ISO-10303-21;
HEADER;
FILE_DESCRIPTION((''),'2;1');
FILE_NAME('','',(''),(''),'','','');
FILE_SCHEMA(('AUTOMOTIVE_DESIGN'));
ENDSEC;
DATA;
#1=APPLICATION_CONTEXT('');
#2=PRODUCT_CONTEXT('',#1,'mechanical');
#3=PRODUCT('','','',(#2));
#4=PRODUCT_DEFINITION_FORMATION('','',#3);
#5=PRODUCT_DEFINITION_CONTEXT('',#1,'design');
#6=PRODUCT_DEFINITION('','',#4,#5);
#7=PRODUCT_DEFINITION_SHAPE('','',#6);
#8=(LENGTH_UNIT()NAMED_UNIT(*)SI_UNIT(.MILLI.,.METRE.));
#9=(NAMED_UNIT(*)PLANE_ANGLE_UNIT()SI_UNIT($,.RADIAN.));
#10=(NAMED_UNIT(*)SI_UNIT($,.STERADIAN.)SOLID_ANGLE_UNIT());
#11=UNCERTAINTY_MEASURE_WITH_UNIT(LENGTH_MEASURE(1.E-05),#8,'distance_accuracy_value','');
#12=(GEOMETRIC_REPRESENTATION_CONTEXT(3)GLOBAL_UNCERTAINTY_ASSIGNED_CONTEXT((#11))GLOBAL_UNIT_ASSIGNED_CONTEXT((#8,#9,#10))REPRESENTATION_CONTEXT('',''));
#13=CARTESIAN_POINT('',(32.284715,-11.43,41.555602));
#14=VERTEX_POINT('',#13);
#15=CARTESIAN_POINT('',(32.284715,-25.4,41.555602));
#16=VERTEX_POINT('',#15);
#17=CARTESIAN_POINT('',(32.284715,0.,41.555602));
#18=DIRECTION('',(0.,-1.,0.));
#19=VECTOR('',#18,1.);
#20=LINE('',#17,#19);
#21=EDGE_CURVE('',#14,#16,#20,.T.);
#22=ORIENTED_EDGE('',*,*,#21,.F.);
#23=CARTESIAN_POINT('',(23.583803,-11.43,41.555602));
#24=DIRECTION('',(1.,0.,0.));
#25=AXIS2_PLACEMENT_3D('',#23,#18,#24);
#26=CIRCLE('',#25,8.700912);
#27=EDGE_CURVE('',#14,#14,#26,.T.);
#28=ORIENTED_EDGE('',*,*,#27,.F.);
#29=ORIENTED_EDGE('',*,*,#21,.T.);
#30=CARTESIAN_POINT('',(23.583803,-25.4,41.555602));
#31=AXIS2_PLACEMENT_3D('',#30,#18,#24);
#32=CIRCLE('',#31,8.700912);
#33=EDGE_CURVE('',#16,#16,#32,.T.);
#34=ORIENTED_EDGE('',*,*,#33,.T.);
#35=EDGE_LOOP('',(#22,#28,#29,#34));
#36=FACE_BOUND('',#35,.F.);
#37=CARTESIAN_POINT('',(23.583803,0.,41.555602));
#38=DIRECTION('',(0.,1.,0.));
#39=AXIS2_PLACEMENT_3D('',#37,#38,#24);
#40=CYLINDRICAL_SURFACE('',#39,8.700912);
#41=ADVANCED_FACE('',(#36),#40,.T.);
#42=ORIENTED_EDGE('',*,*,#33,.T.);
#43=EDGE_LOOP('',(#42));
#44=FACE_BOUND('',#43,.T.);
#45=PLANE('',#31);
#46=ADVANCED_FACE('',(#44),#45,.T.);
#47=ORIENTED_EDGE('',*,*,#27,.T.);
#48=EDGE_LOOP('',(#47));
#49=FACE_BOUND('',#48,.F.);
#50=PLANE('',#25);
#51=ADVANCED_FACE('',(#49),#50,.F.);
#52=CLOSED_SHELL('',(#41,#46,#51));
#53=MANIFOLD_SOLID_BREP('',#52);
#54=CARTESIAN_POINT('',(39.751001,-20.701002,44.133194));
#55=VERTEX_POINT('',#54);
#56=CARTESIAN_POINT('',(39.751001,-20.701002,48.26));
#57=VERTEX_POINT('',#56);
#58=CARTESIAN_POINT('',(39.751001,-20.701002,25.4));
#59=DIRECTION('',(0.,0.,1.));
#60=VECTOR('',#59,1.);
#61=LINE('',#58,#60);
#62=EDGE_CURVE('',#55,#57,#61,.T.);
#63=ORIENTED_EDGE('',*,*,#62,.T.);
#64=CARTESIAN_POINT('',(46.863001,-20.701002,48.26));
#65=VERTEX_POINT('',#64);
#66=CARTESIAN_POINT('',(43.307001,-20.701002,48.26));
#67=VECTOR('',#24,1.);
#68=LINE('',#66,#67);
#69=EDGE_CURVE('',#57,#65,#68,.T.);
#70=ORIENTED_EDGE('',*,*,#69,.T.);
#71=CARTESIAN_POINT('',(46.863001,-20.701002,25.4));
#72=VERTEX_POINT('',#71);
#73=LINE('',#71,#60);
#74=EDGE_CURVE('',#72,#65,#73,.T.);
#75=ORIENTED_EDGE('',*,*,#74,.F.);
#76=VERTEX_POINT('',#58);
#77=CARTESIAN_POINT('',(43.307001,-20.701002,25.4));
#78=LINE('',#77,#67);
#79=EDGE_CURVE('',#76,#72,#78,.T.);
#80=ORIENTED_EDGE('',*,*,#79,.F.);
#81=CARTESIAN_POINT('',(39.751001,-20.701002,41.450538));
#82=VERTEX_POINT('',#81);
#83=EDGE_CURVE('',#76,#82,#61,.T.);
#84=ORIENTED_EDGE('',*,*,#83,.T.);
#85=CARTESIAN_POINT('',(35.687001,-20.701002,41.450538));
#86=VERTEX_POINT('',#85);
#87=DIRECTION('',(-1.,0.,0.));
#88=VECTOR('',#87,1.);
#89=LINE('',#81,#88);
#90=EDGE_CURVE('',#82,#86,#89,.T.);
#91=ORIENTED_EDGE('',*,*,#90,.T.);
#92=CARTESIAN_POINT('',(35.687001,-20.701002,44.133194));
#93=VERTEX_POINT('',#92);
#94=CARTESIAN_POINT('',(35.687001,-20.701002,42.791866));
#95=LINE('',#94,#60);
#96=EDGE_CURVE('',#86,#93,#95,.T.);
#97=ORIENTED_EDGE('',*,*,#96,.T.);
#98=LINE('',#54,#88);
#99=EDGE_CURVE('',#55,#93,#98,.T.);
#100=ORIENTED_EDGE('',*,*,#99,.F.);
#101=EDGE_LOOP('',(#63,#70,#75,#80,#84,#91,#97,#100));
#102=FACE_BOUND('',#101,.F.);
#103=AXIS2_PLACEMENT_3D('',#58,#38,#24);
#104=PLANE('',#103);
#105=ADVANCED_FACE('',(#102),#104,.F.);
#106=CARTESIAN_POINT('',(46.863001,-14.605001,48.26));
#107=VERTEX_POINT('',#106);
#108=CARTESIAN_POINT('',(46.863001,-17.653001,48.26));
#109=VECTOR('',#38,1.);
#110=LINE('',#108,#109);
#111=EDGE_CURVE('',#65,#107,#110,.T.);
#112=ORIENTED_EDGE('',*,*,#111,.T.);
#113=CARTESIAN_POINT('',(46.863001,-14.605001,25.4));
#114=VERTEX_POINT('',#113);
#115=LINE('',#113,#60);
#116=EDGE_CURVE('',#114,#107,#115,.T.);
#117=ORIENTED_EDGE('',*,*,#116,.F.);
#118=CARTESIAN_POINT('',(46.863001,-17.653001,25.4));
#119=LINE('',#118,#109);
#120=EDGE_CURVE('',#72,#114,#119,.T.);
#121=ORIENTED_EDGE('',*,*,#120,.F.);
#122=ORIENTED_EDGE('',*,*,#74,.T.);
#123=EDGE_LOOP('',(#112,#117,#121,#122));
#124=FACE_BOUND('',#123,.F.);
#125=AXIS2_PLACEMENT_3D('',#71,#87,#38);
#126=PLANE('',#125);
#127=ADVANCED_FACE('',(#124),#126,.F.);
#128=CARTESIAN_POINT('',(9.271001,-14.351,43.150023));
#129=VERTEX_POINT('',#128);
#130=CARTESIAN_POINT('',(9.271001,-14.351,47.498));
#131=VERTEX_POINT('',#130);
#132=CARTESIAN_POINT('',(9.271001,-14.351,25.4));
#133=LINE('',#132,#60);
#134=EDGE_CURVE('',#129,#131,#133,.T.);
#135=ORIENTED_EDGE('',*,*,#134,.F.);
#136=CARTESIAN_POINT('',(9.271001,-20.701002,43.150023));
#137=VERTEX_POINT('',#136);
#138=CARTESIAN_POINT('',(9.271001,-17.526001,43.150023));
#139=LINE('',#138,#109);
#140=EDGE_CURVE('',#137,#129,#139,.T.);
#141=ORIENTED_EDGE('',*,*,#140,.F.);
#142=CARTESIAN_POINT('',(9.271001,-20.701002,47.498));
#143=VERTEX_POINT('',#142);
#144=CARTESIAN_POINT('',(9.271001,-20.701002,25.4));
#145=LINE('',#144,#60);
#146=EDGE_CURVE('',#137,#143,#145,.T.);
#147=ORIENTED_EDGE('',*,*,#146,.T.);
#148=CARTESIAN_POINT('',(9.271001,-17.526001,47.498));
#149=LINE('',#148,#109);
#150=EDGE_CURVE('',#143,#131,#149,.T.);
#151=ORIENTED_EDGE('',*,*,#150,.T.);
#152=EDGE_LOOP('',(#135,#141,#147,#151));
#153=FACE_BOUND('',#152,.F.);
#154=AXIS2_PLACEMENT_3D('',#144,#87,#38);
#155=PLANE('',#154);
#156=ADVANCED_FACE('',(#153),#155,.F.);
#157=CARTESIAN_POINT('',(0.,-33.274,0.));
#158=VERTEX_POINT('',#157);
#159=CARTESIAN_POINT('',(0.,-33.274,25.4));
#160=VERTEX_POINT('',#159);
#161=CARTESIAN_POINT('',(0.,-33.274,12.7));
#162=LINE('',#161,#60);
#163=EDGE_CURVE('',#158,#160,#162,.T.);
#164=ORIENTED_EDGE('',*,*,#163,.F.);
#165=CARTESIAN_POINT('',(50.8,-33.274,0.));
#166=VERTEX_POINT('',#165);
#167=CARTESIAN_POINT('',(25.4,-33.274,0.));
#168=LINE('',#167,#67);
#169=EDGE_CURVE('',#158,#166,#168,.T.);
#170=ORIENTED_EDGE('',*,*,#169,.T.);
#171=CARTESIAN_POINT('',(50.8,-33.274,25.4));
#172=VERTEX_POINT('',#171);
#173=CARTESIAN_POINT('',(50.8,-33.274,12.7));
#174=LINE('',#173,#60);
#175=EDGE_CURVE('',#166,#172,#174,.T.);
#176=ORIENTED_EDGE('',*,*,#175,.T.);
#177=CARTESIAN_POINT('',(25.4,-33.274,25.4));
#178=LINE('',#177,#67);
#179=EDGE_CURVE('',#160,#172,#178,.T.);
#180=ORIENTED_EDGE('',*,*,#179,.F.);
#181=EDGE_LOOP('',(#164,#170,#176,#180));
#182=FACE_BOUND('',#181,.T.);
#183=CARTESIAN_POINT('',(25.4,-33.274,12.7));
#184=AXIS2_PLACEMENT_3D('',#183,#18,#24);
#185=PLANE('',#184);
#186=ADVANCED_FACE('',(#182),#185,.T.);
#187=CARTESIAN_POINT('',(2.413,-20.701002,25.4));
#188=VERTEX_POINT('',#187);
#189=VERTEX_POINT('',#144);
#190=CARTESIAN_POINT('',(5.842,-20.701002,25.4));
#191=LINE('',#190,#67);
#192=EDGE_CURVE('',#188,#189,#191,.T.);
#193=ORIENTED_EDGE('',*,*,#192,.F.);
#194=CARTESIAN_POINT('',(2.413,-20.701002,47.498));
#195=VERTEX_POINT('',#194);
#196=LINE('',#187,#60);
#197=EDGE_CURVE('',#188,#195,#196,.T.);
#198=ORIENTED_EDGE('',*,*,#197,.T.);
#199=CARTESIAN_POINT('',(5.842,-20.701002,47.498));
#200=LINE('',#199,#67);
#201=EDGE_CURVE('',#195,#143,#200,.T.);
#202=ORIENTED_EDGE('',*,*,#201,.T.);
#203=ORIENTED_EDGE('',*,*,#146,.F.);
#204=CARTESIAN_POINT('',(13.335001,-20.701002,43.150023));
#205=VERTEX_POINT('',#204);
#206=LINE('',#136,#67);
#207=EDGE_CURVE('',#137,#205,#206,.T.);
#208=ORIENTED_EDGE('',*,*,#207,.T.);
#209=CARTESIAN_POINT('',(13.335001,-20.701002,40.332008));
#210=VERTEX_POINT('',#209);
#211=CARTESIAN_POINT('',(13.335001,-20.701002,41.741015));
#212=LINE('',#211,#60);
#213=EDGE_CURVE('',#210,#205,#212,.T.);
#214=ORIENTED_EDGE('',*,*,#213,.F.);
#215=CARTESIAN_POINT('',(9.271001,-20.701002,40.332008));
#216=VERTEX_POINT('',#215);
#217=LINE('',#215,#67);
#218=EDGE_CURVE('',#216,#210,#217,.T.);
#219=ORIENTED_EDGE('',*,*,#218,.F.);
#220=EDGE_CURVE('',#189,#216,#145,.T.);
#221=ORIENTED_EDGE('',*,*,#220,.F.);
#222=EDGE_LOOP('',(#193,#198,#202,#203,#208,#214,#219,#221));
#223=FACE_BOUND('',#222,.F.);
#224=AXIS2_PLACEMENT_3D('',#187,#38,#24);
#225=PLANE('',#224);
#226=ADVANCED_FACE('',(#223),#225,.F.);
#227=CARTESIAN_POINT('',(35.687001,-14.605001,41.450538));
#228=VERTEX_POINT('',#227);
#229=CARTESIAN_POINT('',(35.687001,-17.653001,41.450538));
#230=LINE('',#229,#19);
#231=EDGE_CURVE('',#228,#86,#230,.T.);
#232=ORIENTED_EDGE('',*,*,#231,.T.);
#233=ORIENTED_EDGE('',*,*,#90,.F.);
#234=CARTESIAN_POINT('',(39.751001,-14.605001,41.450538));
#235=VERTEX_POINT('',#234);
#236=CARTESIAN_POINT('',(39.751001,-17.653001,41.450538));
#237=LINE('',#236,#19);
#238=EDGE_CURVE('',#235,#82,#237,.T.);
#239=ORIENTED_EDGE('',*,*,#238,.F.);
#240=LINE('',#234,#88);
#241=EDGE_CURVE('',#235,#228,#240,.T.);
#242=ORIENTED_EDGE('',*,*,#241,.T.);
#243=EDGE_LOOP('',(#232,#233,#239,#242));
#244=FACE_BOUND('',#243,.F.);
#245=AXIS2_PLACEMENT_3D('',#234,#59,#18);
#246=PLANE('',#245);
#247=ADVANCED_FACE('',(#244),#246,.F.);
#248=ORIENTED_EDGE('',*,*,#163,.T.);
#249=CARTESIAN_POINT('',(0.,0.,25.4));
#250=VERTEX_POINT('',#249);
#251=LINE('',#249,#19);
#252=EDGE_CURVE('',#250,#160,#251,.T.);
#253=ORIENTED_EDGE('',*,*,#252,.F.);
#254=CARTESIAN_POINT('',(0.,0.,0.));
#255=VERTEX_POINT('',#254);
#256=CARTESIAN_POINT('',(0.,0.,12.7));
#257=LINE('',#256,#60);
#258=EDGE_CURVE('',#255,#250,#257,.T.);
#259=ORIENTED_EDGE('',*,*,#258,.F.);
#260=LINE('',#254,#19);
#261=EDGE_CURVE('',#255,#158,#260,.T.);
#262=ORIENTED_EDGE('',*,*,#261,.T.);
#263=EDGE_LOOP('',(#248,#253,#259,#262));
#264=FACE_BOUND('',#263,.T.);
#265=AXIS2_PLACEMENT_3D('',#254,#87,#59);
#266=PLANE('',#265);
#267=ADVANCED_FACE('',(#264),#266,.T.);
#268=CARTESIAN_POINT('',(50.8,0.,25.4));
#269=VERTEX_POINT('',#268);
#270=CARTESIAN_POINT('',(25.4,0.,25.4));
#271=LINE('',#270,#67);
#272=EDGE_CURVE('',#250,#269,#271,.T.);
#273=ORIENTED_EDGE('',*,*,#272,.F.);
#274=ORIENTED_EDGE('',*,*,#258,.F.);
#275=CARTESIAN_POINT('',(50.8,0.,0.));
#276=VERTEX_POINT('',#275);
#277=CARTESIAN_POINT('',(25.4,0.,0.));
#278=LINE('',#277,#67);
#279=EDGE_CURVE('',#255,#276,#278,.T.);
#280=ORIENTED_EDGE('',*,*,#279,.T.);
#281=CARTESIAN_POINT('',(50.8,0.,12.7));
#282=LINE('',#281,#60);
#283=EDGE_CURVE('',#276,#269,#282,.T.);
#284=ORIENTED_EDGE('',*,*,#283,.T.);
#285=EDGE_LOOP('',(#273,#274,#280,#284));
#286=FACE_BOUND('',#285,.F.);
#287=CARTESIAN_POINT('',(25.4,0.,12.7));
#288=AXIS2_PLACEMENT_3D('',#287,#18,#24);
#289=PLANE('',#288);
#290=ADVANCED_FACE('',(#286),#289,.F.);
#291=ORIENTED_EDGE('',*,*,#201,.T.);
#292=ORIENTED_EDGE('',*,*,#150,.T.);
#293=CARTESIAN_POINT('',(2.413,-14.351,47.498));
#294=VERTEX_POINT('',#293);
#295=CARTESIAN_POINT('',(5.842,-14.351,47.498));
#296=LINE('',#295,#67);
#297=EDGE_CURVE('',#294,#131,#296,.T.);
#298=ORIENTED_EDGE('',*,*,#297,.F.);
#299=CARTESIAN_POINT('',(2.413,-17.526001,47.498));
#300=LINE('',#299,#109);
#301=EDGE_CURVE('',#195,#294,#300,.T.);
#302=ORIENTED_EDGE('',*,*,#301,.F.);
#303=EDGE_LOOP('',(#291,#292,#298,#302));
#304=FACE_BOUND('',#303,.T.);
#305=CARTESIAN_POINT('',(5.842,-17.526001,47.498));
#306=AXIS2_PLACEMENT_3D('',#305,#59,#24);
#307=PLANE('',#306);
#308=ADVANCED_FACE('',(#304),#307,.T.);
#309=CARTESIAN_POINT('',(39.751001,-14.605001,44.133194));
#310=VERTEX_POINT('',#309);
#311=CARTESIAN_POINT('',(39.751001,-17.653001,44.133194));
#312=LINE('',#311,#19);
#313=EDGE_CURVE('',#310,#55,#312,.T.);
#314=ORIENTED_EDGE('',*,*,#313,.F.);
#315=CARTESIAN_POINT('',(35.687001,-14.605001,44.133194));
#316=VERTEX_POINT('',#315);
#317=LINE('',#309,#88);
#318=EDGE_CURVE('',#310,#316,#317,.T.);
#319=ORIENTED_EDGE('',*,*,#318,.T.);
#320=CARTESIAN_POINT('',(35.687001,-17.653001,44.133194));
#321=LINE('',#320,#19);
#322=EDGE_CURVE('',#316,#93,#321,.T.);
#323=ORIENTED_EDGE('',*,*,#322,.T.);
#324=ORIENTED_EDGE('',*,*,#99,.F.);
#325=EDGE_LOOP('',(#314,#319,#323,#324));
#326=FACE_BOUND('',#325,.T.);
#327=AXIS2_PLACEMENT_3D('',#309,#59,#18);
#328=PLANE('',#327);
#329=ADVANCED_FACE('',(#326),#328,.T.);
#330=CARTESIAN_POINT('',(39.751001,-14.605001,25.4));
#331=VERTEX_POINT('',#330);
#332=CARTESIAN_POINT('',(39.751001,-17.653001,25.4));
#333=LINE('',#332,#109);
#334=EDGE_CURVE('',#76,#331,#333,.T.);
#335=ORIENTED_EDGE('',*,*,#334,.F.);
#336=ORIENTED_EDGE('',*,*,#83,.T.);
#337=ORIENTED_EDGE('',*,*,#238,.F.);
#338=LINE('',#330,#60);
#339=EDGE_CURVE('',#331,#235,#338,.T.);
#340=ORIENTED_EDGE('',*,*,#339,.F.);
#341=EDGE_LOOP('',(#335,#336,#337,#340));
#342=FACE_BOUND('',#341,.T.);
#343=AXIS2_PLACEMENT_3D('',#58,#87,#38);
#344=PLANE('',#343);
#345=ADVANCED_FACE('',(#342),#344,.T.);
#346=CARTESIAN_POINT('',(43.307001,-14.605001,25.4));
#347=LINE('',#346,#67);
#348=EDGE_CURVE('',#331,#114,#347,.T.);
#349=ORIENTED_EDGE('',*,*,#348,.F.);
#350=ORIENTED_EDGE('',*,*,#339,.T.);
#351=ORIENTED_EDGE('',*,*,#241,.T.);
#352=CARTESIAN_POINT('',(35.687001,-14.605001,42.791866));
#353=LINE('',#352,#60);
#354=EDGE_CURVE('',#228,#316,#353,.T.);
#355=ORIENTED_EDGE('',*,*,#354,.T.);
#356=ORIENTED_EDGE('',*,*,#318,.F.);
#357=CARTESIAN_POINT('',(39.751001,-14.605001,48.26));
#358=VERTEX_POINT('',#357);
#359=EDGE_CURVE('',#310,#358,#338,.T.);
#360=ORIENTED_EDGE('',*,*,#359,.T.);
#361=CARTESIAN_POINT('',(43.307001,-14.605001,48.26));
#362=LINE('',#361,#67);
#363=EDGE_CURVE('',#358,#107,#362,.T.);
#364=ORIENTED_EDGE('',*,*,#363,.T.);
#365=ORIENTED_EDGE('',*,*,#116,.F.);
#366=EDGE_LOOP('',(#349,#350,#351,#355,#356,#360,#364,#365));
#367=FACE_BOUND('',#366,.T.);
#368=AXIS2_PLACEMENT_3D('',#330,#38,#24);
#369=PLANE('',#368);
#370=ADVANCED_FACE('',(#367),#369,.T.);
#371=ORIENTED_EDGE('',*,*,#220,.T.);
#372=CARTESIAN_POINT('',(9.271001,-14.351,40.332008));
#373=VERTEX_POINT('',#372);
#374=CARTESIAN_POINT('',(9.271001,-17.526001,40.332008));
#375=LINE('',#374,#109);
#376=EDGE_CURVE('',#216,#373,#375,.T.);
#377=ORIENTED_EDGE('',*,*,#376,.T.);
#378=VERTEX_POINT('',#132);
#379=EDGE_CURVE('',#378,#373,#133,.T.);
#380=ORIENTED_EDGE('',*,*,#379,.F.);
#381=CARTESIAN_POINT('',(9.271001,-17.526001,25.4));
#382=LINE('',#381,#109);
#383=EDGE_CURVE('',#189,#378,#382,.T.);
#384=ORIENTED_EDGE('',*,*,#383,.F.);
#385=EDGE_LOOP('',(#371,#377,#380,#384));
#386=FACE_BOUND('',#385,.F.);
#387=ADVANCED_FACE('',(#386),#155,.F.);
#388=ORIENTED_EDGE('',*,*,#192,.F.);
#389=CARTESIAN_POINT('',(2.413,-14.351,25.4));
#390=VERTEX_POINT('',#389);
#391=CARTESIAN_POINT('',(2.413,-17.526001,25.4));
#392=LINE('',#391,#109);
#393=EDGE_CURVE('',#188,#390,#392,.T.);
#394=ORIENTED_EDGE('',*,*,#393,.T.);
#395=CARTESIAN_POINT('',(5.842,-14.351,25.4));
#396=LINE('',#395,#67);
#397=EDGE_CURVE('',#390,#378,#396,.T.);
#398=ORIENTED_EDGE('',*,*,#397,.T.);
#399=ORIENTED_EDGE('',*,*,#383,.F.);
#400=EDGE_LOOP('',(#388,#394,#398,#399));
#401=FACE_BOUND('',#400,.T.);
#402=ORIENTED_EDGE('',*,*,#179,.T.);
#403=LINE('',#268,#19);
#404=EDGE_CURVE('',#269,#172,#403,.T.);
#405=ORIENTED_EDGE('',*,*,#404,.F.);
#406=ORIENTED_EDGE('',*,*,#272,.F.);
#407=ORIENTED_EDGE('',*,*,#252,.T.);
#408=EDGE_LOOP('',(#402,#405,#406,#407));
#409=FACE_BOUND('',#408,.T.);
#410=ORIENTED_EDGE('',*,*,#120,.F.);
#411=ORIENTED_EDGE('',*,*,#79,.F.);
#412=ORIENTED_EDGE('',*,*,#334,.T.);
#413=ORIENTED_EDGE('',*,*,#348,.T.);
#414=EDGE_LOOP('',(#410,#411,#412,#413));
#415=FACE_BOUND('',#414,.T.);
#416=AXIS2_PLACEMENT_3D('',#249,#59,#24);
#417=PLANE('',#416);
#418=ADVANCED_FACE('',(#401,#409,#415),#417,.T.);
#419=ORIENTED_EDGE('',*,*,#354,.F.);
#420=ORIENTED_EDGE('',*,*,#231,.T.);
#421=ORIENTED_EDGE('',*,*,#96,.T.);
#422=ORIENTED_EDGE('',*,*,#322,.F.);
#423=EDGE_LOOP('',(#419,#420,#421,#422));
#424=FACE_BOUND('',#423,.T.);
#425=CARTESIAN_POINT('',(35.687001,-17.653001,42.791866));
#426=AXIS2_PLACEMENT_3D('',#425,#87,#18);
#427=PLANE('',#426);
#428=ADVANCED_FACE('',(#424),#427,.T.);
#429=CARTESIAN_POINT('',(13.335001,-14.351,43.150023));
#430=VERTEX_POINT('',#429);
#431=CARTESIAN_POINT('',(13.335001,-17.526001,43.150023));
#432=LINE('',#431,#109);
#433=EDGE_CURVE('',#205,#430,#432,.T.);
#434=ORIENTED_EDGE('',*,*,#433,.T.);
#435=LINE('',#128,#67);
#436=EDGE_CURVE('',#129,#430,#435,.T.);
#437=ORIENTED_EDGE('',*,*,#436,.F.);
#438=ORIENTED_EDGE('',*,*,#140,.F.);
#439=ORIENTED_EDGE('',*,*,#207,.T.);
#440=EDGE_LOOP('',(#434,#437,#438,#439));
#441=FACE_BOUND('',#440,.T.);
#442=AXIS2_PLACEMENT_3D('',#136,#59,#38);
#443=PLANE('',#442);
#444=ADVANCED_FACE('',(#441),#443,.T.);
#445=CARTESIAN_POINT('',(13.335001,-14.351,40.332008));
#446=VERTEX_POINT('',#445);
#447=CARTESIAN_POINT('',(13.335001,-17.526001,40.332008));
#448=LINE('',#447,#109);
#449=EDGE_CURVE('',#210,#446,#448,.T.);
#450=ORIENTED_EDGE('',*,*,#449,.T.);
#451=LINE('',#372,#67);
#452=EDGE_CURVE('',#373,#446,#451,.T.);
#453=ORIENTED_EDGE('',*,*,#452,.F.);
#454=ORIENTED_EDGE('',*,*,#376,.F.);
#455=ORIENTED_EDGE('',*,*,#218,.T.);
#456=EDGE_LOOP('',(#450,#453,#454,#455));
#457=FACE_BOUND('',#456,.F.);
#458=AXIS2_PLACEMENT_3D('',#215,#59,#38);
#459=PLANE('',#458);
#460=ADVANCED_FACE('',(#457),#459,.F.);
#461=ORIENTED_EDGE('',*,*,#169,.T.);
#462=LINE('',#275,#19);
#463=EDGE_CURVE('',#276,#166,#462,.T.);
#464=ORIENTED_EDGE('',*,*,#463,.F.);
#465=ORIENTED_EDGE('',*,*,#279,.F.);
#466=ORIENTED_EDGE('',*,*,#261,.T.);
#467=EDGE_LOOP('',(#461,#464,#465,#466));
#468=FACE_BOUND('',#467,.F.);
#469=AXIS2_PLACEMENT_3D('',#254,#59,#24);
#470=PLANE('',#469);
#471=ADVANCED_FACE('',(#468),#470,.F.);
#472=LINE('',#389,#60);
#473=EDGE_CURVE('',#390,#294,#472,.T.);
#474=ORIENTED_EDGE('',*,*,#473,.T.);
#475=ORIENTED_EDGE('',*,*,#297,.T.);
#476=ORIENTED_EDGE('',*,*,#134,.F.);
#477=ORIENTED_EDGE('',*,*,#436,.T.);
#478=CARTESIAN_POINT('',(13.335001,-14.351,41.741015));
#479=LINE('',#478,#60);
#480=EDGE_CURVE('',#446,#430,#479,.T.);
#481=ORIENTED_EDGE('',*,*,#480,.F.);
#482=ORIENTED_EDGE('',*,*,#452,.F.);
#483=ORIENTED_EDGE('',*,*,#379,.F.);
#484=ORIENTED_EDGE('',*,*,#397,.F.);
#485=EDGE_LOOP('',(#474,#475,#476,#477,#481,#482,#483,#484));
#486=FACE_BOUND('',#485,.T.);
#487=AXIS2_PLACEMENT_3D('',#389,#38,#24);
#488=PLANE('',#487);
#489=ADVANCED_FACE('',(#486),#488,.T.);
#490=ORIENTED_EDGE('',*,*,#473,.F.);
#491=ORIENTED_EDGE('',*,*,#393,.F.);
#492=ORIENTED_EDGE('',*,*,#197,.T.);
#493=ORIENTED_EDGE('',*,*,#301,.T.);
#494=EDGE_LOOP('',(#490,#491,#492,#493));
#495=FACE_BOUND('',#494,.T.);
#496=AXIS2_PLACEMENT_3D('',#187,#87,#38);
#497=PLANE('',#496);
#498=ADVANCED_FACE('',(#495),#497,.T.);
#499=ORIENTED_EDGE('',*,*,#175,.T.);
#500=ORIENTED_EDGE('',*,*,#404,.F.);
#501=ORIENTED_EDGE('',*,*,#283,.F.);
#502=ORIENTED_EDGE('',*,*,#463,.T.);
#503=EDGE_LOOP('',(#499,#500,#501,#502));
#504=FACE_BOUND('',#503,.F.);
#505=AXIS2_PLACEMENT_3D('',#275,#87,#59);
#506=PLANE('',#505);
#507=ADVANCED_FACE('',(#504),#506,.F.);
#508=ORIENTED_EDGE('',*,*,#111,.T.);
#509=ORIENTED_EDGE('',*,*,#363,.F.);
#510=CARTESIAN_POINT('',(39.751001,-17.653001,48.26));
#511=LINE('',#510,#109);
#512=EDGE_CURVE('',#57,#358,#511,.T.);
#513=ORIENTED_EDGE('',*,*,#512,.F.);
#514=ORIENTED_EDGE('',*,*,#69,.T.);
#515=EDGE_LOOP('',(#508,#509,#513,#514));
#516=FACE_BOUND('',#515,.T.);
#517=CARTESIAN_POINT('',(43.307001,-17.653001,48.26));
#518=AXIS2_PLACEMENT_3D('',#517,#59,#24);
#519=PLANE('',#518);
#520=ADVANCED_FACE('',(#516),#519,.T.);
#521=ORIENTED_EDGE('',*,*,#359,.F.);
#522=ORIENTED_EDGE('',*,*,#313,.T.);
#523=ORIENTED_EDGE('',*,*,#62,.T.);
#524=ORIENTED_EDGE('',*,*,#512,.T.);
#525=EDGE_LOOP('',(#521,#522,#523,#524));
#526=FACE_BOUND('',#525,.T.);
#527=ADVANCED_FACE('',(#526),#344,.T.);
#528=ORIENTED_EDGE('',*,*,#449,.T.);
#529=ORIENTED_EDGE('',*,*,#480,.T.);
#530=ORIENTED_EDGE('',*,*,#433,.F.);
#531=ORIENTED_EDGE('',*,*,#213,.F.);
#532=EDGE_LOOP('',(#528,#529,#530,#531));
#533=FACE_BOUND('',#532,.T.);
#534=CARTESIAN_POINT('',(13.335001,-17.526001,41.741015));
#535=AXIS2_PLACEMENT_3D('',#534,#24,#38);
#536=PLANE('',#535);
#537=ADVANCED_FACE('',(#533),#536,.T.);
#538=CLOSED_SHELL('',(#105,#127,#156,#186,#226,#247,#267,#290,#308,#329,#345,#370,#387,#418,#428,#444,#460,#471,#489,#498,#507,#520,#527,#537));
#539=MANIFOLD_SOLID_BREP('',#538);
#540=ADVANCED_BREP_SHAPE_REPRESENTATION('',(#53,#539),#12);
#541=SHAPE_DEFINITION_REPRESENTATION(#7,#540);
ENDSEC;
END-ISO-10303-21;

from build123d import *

# Parameters (mm, degrees)
F0_W      = 50.8
F0_H      = 25.4
F1_DEPTH  = 45.72
F2_W      = 6.8580005318
F2_H      = 6.3500022516
F3_DEPTH  = 22.098
F4_W      = 7.1120001376
F4_H      = 6.0960017145
F5_DEPTH  = 22.86
F6_W      = 6.0960017145
F6_H      = 2.6826560497
F7_DEPTH  = 4.064
F8_W      = 6.3500022516
F8_H      = 2.8180144727
F9_DEPTH  = 4.064
F10_R     = 8.7009115444
F11_DEPTH = 25.4
F12_DEPTH = 11.43
F13_DEPTH = 12.446


with BuildPart() as f1:
    # F0 (on Front) → F1 (new body)
    with BuildSketch(Plane.XZ):
        with Locations((25.4, 12.7)):
            Rectangle(F0_W, F0_H)
    extrude(amount=F1_DEPTH)

    # F2 (on face) → F3 (join)
    with BuildSketch(Plane.XY.offset(25.4)):
        with Locations((5.842000246, -17.5260012038)):
            Rectangle(F2_W, F2_H)
    extrude(amount=F3_DEPTH)

    # F4 (on face) → F5 (join)
    with BuildSketch(Plane.XY.offset(25.4)):
        with Locations((43.3070007712, -17.6530014724)):
            Rectangle(F4_W, F4_H)
    extrude(amount=F5_DEPTH)

    # F6 (on face) → F7 (join)
    with BuildSketch(Plane(origin=(39.7510007024, 0, 0), x_dir=(0, -1, 0), z_dir=(-1, 0, 0))):
        with Locations((17.6530014724, 42.791865766)):
            Rectangle(F6_W, F6_H)
    extrude(amount=F7_DEPTH)

    # F8 (on face) → F9 (join)
    with BuildSketch(Plane.YZ.offset(9.2710005119)):
        with Locations((-17.5260012038, 41.7410153896)):
            Rectangle(F8_W, F8_H)
    extrude(amount=F9_DEPTH)

    # F13 (cut): a face of the model
    f13_faces = [f1.faces().sort_by_distance(p)[0] for p in [
        (25.4, -45.72, 12.7),
    ]]
    extrude(f13_faces, amount=-F13_DEPTH, mode=Mode.SUBTRACT)


with BuildPart() as f11:
    # F10 (on Front) → F11 (new body)
    with BuildSketch(Plane.XZ):
        with Locations((23.5838033259, 41.5556021035)):
            Circle(F10_R)
    extrude(amount=F11_DEPTH)

    # F12 (cut): a face of the model
    f12_faces = [f11.faces().sort_by_distance(p)[0] for p in [
        (23.5838033259, 0, 41.5556021035),
    ]]
    extrude(f12_faces, amount=-F12_DEPTH, mode=Mode.SUBTRACT)


solid = Compound([f1.part, f11.part])
